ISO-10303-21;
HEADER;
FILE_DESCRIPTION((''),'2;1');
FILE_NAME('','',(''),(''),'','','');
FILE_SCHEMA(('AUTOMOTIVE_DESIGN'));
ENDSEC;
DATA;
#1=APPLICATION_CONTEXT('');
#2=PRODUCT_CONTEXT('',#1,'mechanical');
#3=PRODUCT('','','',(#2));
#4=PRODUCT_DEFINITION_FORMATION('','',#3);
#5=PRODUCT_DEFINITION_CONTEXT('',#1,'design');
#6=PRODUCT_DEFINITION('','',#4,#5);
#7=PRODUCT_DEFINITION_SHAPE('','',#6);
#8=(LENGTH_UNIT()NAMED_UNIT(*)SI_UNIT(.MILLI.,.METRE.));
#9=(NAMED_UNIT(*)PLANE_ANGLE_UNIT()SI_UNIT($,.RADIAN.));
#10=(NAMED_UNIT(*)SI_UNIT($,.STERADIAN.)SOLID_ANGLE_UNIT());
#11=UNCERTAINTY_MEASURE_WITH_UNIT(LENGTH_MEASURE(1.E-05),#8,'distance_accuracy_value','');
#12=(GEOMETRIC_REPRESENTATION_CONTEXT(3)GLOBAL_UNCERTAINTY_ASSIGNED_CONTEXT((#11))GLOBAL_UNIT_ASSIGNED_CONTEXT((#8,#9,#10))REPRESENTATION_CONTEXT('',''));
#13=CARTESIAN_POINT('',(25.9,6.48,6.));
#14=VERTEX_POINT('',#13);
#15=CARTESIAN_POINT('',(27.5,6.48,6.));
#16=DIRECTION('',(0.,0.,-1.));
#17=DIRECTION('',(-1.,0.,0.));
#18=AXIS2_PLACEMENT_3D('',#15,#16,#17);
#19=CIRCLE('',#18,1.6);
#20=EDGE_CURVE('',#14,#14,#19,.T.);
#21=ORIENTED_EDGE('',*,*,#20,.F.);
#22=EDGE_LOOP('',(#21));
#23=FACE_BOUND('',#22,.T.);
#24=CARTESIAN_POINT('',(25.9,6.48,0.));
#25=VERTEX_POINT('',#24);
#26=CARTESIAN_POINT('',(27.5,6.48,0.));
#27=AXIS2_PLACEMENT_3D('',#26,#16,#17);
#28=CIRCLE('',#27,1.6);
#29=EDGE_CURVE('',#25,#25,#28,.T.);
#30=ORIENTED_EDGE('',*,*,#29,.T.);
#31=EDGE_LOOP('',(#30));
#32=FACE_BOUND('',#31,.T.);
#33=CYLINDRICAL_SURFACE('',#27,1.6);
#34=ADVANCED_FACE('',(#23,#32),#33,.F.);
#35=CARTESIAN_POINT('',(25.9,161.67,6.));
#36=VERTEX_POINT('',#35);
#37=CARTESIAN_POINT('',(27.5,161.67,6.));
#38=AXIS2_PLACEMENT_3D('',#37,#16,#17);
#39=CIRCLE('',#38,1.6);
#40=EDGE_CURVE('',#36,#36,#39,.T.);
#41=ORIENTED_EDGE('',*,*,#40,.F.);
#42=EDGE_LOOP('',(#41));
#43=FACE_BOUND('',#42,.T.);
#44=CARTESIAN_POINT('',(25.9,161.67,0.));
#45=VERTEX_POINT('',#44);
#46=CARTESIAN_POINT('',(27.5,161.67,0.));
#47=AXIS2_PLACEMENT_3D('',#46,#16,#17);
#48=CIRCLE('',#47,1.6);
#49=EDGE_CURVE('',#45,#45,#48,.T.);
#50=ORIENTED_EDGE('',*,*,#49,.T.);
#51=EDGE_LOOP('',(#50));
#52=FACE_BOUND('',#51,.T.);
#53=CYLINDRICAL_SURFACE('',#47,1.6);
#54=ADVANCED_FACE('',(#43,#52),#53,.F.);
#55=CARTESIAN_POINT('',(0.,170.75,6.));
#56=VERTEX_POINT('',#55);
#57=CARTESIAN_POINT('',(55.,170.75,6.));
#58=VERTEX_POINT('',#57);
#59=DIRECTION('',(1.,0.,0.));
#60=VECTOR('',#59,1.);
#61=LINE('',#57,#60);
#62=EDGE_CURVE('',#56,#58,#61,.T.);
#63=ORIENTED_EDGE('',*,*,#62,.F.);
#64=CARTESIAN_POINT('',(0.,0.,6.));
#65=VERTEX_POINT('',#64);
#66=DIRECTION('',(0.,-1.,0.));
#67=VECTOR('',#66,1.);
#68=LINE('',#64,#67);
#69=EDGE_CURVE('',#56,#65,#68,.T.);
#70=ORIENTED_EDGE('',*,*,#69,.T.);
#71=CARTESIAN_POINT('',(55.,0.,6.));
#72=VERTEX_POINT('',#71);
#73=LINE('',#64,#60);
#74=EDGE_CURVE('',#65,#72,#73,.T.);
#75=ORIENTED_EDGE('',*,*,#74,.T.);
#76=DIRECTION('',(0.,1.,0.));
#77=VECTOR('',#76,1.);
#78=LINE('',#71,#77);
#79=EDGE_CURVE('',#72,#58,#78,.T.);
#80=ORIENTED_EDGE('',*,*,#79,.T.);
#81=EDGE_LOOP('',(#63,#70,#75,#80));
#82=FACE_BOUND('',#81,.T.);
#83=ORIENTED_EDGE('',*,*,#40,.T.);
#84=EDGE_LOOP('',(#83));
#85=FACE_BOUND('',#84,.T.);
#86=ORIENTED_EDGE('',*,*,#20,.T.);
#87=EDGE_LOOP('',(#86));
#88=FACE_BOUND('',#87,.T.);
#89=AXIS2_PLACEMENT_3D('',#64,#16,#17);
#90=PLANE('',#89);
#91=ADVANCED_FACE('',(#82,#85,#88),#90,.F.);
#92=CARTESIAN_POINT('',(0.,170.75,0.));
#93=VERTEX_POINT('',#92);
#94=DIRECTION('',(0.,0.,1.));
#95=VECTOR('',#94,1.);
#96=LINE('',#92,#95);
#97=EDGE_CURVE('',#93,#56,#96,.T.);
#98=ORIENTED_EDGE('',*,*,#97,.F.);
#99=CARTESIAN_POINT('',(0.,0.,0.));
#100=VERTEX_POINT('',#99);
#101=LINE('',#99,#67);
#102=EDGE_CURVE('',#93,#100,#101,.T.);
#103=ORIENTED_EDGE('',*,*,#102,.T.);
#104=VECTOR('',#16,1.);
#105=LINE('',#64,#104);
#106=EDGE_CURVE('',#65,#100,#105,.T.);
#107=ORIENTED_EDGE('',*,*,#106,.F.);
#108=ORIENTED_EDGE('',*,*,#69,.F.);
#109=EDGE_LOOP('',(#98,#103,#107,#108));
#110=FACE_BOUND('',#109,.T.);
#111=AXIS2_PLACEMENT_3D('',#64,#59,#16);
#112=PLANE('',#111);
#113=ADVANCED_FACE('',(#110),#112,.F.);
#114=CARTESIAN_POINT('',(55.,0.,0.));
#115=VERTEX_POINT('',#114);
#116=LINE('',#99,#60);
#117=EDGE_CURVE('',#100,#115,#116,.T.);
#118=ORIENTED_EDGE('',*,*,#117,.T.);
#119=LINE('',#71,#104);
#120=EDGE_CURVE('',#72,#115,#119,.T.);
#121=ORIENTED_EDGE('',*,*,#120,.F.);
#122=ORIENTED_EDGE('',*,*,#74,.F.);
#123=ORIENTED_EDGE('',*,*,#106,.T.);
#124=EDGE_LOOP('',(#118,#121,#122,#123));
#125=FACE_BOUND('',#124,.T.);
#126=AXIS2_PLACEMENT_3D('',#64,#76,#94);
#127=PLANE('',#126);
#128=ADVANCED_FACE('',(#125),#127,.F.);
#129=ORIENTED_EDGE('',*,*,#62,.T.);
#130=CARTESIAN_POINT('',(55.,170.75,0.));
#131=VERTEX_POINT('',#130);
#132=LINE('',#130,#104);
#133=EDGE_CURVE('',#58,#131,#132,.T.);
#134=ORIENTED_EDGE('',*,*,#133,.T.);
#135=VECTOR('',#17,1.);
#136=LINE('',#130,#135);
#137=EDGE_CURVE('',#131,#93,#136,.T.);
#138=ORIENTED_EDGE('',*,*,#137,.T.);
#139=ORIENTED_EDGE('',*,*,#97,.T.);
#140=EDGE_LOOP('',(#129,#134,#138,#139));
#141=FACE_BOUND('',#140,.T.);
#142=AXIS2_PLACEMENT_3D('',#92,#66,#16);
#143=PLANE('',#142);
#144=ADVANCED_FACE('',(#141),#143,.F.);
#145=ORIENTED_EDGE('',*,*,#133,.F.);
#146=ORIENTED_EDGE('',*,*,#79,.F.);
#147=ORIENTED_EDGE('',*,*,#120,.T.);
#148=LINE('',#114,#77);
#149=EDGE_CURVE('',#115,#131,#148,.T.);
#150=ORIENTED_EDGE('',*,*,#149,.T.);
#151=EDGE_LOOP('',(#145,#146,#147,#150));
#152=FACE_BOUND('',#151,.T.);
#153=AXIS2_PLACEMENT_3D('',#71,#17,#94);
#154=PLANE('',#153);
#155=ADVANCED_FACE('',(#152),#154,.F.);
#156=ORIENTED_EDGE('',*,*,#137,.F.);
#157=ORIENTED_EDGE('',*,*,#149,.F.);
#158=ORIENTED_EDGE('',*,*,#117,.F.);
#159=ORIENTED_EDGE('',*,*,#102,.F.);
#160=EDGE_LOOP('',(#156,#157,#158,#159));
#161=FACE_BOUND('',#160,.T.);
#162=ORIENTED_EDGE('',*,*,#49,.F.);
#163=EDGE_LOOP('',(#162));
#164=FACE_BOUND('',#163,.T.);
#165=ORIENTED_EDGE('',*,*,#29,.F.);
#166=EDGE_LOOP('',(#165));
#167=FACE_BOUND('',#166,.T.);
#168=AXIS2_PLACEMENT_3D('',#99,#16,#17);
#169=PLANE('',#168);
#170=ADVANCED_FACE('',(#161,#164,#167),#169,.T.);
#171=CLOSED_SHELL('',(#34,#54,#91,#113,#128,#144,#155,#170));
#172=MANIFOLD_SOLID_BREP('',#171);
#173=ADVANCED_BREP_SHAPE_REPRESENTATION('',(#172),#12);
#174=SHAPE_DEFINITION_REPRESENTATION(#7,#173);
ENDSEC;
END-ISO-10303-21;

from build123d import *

# Parameters (mm, degrees)
SKETCH1_W            = 55
SKETCH1_H            = 164.75
BOSS_EXTRUDE1_DEPTH  = 6
M3_CLEARANCE_SLOT1_D = 3.2
SKETCH4_W            = 55
SKETCH4_H            = 6
BOSS_EXTRUDE2_DEPTH  = 6


with BuildPart() as part:
    # Sketch1 → Boss-Extrude1 (new body)
    with BuildSketch(Plane.XY):
        with Locations((27.5, 82.375)):
            Rectangle(SKETCH1_W, SKETCH1_H)
    extrude(amount=BOSS_EXTRUDE1_DEPTH)

    # M3 Clearance Slot1 (through all)
    with Locations(Plane(origin=(0, 0, 0), x_dir=(-1, 0, 0), z_dir=(0, 0, -1))):
        with Locations((-27.5, 161.67), (-27.5, 6.48)):
            Hole(M3_CLEARANCE_SLOT1_D / 2)

    # Sketch4 → Boss-Extrude2 (add)
    with BuildSketch(Plane(origin=(0, 164.75, 0), x_dir=(1, 0, 0), z_dir=(0, 1, 0))):
        with Locations((27.5, -3)):
            Rectangle(SKETCH4_W, SKETCH4_H)
    extrude(amount=BOSS_EXTRUDE2_DEPTH)


solid = part.part
